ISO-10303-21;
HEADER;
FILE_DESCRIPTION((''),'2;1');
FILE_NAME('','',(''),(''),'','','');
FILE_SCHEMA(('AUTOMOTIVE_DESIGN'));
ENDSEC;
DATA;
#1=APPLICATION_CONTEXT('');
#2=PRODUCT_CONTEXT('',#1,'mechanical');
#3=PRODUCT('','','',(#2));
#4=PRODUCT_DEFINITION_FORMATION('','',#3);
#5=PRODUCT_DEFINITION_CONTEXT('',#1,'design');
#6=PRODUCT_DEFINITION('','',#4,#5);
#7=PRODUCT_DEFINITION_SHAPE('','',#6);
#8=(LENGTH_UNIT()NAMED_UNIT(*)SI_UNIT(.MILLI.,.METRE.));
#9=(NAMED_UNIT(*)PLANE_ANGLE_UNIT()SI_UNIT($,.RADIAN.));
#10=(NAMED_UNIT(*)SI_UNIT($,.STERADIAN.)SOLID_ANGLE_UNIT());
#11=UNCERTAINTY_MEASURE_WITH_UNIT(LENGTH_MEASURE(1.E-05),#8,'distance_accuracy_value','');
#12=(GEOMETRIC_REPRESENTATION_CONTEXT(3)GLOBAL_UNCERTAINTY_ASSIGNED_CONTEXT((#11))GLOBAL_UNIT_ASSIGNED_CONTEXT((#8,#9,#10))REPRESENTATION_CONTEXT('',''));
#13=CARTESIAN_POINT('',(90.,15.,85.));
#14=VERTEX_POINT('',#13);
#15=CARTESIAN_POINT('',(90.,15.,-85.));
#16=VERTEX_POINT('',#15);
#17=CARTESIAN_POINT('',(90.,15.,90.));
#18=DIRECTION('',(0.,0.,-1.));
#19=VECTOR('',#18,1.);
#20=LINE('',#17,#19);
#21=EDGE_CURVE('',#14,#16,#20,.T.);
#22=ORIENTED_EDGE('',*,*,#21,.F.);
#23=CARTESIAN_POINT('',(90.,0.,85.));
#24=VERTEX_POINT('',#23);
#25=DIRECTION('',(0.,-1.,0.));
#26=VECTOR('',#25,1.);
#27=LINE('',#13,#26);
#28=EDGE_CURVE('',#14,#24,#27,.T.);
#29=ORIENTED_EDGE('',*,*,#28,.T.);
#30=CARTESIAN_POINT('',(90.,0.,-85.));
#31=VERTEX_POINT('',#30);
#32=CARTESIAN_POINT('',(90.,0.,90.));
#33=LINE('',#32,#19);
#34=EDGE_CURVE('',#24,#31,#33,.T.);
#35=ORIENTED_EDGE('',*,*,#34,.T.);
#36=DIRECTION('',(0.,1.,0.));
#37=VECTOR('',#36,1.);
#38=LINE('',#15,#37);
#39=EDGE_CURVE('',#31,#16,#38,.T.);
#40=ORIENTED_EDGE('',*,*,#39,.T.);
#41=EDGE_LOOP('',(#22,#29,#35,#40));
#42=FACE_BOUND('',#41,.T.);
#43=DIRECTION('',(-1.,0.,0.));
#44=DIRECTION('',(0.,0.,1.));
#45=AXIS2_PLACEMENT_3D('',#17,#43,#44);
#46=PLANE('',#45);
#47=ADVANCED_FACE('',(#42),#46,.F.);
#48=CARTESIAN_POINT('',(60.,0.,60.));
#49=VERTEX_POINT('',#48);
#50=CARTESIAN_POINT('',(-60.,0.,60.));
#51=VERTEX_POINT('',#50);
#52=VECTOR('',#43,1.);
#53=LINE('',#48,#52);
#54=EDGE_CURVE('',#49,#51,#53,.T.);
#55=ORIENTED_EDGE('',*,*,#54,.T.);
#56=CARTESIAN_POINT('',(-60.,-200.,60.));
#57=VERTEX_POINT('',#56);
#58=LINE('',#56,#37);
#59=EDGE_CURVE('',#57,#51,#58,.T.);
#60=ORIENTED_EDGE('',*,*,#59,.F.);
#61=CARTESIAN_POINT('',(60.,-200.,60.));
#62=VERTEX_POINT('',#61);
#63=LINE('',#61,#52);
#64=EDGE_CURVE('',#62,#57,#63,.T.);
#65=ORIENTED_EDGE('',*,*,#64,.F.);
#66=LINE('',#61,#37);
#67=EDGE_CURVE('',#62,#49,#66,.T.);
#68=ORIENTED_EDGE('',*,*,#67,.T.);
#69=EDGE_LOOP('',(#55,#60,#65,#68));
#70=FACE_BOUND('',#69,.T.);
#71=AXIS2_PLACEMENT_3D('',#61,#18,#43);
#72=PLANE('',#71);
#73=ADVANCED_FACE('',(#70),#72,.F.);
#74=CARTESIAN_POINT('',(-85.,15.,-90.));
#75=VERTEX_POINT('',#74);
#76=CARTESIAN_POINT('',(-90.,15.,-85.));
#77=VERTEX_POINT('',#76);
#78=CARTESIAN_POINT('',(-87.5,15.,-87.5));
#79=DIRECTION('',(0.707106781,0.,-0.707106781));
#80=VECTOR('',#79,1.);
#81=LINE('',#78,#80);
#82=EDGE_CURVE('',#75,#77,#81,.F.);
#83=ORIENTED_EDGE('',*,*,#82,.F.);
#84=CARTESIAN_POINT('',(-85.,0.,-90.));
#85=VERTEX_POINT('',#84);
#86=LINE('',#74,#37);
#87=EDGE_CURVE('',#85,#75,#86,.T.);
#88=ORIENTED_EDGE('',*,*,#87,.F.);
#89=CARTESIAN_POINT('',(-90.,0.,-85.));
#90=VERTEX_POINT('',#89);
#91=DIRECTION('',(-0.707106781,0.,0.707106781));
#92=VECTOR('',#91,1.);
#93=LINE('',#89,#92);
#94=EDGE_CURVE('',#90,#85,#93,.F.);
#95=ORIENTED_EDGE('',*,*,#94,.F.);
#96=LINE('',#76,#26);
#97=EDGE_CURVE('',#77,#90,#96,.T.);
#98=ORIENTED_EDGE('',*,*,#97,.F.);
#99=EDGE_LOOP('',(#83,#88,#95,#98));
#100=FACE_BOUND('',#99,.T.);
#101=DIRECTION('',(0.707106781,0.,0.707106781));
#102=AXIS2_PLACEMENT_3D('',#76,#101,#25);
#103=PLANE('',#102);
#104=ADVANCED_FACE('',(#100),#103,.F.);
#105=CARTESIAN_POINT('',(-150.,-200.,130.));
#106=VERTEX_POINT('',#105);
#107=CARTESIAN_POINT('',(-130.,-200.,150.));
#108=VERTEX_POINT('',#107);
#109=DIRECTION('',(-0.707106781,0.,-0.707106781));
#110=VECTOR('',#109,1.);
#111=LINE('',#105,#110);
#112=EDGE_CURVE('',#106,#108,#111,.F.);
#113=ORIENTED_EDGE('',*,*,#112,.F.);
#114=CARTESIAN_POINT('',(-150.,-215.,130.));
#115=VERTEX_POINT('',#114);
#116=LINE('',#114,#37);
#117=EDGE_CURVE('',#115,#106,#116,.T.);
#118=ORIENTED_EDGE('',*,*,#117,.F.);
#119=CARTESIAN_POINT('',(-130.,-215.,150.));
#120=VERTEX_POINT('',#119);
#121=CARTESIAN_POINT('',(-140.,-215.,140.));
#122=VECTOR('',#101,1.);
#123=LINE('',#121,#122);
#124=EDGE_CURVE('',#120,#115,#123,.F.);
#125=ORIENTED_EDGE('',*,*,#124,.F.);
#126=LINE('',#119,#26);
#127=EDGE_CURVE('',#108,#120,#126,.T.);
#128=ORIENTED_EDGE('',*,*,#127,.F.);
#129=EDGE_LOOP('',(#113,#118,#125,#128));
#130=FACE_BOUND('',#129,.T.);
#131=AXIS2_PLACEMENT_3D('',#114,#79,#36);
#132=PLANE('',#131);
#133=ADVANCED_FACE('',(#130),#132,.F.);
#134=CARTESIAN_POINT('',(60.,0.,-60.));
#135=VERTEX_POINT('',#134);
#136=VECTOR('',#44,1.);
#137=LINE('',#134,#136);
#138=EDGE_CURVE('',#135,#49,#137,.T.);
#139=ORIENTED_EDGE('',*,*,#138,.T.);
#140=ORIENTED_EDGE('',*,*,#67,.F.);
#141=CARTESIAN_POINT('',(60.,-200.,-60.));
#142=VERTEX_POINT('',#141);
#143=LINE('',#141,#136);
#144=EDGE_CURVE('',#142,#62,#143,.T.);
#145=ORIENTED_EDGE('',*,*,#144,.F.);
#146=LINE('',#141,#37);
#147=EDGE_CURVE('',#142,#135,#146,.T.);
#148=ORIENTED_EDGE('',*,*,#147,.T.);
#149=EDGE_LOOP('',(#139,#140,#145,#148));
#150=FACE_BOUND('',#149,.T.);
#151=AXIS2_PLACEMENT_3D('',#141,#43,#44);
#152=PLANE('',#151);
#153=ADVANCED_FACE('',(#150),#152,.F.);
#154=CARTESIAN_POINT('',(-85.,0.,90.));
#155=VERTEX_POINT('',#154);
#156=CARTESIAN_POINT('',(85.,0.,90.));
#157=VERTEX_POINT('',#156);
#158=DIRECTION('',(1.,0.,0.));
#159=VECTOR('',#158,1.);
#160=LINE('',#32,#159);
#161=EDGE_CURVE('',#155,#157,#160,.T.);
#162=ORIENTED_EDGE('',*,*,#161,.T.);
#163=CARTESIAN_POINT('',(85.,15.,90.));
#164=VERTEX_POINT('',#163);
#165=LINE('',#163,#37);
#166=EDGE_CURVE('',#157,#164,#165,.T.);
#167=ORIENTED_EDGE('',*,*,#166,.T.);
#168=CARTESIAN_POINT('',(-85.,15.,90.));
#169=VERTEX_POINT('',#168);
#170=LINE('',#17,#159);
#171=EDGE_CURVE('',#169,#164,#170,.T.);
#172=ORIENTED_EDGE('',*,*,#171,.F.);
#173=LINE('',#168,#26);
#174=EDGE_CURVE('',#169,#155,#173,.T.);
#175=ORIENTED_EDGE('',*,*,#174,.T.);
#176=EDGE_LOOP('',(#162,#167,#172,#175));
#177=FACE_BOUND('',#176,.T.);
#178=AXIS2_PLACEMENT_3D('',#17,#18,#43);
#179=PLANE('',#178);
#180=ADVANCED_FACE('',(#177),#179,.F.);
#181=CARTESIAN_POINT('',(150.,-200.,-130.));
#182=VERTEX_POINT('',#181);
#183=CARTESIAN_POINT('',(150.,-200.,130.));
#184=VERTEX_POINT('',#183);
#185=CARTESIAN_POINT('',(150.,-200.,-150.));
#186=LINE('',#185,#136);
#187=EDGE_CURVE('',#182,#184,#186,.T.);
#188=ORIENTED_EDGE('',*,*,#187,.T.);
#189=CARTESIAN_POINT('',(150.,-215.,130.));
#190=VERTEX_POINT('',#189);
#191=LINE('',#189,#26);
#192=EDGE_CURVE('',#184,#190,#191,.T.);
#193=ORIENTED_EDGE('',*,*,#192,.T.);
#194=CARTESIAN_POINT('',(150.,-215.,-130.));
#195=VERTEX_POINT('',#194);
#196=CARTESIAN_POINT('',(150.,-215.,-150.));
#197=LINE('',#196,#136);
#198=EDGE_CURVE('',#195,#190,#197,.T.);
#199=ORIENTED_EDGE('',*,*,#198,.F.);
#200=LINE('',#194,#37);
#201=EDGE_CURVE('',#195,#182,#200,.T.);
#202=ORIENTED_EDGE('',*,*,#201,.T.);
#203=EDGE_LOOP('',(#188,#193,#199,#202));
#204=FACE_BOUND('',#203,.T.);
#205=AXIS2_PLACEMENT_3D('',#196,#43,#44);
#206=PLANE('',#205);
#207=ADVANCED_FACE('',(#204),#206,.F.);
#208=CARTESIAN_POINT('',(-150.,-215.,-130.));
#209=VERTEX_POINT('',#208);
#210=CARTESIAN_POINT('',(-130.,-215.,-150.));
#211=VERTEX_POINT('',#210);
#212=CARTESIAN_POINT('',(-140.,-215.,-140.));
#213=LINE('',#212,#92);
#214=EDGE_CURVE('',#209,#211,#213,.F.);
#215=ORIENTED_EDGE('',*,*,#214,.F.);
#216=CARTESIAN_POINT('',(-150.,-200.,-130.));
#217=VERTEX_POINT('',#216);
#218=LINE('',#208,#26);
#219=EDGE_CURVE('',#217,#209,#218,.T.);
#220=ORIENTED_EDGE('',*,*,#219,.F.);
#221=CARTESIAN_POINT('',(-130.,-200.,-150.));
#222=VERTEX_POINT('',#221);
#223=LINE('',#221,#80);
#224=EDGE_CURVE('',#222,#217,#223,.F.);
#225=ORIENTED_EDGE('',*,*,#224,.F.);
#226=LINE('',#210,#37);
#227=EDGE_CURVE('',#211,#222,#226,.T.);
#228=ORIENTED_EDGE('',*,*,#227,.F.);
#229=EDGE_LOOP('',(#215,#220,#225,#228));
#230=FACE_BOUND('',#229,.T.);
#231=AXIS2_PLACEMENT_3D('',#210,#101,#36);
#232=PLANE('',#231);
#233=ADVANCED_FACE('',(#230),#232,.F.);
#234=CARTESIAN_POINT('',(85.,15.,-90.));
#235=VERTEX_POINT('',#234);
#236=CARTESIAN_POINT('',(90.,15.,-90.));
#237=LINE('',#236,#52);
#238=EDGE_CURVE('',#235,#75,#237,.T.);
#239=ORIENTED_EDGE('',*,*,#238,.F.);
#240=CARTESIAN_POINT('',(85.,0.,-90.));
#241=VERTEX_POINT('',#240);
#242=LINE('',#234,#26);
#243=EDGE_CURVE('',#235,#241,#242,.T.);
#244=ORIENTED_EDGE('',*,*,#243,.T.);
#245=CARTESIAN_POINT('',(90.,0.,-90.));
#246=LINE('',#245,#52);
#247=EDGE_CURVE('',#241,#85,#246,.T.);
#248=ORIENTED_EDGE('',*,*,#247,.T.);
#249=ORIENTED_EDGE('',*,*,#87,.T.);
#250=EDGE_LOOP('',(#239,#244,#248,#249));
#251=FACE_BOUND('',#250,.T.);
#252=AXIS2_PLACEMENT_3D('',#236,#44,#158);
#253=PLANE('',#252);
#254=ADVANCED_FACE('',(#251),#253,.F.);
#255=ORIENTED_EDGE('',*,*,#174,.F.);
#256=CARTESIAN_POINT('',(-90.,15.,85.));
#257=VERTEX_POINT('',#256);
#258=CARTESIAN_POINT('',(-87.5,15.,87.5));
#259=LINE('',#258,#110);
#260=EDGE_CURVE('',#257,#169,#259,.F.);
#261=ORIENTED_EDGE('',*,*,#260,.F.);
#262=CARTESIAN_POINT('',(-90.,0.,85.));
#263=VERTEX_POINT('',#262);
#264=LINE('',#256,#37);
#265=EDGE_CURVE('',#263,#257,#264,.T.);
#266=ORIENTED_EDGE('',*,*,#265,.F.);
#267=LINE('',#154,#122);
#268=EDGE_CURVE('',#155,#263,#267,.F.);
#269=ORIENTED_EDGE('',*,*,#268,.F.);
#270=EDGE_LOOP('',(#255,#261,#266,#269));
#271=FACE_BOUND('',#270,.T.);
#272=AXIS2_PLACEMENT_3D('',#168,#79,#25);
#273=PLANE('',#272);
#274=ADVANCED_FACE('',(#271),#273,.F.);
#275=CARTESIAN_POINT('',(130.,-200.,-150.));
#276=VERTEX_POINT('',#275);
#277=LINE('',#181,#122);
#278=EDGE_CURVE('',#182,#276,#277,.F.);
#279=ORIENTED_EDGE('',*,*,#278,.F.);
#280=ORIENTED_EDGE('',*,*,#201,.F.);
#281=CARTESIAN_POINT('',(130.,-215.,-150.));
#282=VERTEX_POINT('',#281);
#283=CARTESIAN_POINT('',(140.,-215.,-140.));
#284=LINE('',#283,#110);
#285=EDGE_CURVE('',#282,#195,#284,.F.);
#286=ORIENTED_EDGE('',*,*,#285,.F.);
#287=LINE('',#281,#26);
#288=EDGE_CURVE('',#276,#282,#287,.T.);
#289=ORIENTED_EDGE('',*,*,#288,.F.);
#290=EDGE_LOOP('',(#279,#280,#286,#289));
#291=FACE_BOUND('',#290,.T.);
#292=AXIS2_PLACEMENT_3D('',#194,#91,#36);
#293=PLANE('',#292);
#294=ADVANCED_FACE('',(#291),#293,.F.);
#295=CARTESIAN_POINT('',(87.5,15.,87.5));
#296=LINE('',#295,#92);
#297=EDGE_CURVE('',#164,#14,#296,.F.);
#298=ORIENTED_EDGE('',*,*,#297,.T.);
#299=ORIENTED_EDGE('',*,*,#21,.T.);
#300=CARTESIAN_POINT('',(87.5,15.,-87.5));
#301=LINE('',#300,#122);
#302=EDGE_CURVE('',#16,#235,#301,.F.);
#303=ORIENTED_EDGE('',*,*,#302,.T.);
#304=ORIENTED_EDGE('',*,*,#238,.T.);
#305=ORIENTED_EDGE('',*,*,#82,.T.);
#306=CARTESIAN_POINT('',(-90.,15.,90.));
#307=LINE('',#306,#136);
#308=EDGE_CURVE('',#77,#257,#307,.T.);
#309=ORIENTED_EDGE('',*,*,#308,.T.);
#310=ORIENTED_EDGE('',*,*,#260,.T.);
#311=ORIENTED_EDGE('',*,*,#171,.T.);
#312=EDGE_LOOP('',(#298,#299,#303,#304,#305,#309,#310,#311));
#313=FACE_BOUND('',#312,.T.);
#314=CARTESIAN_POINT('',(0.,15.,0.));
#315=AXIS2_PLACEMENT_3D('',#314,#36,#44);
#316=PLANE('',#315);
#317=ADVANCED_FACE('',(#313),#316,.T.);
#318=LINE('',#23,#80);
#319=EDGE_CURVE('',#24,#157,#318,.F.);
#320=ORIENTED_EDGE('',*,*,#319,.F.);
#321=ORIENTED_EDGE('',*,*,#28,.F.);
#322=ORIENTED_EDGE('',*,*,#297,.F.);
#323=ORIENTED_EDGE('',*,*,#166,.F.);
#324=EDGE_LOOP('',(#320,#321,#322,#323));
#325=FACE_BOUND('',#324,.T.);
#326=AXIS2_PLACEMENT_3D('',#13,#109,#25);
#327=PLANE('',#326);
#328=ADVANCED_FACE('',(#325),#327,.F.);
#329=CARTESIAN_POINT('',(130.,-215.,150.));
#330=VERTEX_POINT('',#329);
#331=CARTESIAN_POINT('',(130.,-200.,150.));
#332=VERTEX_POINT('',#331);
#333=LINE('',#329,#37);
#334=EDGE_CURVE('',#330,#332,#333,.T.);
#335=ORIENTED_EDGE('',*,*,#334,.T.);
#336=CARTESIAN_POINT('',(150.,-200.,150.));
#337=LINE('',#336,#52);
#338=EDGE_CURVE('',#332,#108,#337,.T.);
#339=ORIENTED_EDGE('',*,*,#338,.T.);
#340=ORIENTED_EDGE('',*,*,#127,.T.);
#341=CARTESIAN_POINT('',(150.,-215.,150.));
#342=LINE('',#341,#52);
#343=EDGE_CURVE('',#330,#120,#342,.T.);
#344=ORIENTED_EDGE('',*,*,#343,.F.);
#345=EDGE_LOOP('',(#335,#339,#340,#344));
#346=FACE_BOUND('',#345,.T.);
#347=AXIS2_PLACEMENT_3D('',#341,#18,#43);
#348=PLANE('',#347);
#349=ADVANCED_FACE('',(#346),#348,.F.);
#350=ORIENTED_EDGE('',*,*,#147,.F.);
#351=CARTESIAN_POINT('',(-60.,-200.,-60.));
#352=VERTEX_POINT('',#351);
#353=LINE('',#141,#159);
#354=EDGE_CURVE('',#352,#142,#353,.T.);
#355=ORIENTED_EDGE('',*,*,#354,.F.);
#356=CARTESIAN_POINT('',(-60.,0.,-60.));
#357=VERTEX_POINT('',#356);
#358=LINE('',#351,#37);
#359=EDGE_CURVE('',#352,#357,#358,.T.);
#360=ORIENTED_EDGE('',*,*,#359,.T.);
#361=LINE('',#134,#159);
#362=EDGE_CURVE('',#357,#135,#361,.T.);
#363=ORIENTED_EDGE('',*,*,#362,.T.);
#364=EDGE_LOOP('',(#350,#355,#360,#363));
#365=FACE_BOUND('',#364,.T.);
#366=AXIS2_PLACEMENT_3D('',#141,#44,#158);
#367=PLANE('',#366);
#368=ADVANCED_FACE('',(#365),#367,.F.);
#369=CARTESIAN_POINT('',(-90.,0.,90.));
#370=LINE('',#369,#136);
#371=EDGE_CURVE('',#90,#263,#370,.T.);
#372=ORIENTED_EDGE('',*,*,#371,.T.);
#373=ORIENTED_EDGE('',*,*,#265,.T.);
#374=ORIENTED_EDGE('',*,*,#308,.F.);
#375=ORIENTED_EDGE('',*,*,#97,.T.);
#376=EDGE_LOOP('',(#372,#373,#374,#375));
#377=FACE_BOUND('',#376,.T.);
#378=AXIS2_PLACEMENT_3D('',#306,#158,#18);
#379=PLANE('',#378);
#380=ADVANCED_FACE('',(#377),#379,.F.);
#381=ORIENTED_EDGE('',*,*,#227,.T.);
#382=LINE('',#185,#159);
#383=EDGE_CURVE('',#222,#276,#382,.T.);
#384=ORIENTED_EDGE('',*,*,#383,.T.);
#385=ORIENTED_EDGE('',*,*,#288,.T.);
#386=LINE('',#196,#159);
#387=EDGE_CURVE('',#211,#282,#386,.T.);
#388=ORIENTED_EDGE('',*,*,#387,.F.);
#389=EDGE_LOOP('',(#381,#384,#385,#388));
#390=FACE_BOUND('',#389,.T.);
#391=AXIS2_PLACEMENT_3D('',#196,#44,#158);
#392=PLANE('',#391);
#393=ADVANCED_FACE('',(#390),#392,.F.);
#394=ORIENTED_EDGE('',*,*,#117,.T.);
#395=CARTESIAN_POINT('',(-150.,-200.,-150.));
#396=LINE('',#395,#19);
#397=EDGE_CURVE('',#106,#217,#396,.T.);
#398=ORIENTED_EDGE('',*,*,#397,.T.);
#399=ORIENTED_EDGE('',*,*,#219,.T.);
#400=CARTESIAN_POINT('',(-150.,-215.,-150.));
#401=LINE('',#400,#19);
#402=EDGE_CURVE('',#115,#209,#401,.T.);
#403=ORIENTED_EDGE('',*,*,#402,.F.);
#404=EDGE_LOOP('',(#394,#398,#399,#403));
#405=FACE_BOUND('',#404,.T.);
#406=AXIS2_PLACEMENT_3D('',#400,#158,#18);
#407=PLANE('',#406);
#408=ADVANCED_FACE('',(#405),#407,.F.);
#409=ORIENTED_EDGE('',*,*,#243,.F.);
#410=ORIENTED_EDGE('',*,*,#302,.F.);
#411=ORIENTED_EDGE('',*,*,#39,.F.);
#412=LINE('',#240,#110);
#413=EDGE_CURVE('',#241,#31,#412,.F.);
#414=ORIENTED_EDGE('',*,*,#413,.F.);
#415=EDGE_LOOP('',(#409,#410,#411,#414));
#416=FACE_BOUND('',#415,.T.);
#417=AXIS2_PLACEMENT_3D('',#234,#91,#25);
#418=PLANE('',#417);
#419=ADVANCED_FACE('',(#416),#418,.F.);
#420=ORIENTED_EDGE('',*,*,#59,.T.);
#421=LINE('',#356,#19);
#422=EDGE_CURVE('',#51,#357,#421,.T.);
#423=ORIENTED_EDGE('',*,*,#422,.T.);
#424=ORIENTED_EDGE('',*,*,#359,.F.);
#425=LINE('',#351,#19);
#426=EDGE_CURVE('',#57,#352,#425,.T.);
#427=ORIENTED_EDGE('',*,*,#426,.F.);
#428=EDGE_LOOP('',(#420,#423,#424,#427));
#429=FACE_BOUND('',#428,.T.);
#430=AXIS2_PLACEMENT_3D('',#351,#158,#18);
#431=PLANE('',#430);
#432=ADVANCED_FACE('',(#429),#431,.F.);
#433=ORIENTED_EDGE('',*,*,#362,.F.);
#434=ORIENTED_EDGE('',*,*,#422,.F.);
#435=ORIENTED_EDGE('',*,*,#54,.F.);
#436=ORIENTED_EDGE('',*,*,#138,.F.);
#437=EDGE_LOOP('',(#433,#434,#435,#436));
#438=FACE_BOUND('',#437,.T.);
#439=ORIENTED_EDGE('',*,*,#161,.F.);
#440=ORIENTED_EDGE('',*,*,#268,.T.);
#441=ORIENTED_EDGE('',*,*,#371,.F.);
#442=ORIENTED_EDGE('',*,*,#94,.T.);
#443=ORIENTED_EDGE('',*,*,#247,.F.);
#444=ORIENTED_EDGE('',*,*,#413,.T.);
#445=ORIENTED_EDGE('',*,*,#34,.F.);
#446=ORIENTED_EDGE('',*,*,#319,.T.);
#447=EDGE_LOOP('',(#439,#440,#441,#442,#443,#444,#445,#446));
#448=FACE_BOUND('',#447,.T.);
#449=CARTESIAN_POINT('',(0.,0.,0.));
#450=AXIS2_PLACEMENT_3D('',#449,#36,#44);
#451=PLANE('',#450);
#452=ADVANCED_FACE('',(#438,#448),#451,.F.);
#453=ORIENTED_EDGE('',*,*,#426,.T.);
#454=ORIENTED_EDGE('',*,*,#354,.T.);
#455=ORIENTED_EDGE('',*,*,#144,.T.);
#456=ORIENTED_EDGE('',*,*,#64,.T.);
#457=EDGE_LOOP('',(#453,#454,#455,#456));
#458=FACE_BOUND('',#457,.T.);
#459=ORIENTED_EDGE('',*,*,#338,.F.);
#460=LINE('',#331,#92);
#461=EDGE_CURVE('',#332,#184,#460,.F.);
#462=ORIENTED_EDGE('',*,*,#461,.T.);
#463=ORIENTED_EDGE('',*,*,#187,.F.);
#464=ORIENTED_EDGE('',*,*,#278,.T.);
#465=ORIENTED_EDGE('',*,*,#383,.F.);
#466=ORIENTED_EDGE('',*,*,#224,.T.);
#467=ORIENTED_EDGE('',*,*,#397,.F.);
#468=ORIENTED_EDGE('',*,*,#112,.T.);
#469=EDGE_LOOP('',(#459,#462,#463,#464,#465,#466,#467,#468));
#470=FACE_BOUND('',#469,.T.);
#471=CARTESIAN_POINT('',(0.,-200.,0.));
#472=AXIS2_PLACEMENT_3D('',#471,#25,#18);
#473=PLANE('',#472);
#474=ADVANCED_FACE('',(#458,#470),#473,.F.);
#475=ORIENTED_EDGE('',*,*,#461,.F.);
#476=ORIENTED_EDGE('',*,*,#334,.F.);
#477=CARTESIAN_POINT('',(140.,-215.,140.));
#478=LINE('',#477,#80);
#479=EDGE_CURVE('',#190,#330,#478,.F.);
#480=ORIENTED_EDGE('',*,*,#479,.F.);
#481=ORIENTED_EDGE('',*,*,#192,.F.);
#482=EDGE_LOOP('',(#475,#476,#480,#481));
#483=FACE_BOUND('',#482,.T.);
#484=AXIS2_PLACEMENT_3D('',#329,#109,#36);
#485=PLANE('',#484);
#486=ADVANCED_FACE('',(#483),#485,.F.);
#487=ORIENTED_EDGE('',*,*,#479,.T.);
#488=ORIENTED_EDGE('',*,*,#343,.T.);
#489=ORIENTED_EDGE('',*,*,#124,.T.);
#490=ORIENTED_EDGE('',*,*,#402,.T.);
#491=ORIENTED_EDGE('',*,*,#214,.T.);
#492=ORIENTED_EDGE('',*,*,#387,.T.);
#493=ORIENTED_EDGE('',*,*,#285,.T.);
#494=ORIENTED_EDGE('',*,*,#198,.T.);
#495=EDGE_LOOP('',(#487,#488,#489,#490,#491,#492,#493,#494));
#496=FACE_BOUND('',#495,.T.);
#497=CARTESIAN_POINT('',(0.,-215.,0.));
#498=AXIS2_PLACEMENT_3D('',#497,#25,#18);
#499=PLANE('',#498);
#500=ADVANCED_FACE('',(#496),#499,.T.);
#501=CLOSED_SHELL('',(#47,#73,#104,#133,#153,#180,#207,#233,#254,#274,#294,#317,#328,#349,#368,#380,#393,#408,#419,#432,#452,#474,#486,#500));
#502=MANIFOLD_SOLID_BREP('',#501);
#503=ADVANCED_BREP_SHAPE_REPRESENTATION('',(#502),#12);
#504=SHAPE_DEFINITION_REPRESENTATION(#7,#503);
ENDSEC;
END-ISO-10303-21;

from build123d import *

# Parameters (mm, degrees)
SKETCH_1_W      = 180
SKETCH_1_H      = 180
EXTRUDE_1_DEPTH = 15
SKETCH_2_W      = 120
SKETCH_2_H      = 120
EXTRUDE_2_DEPTH = 200
SKETCH_3_W      = 300
SKETCH_3_H      = 300
EXTRUDE_3_DEPTH = 15
CHAMFER_1_SIZE  = 20
CHAMFER_2_SIZE  = 5


with BuildPart() as part:
    # 草图1 → 凸台-拉伸1 (new body)
    with BuildSketch(Plane(origin=(0, 0, 0), x_dir=(1, 0, 0), z_dir=(0, 1, 0))):
        Rectangle(SKETCH_1_W, SKETCH_1_H)
    extrude(amount=EXTRUDE_1_DEPTH)

    # 草图2 → 凸台-拉伸2 (add)
    with BuildSketch(Plane.XZ):
        Rectangle(SKETCH_2_W, SKETCH_2_H)
    extrude(amount=EXTRUDE_2_DEPTH)

    # 草图3 → 凸台-拉伸3 (add)
    with BuildSketch(Plane.XZ.offset(200)):
        Rectangle(SKETCH_3_W, SKETCH_3_H)
    extrude(amount=EXTRUDE_3_DEPTH)

    # 倒角1
    chamfer_1_edges = [part.edges().sort_by_distance(p)[0] for p in [
        (-150, -207.5, 150),
        (-150, -207.5, -150),
        (150, -207.5, -150),
        (150, -207.5, 150),
    ]]
    chamfer(chamfer_1_edges, length=CHAMFER_1_SIZE)

    # 倒角2
    chamfer_2_edges = [part.edges().sort_by_distance(p)[0] for p in [
        (-90, 7.5, -90),
        (90, 7.5, -90),
        (90, 7.5, 90),
        (-90, 7.5, 90),
    ]]
    chamfer(chamfer_2_edges, length=CHAMFER_2_SIZE)


solid = part.part
